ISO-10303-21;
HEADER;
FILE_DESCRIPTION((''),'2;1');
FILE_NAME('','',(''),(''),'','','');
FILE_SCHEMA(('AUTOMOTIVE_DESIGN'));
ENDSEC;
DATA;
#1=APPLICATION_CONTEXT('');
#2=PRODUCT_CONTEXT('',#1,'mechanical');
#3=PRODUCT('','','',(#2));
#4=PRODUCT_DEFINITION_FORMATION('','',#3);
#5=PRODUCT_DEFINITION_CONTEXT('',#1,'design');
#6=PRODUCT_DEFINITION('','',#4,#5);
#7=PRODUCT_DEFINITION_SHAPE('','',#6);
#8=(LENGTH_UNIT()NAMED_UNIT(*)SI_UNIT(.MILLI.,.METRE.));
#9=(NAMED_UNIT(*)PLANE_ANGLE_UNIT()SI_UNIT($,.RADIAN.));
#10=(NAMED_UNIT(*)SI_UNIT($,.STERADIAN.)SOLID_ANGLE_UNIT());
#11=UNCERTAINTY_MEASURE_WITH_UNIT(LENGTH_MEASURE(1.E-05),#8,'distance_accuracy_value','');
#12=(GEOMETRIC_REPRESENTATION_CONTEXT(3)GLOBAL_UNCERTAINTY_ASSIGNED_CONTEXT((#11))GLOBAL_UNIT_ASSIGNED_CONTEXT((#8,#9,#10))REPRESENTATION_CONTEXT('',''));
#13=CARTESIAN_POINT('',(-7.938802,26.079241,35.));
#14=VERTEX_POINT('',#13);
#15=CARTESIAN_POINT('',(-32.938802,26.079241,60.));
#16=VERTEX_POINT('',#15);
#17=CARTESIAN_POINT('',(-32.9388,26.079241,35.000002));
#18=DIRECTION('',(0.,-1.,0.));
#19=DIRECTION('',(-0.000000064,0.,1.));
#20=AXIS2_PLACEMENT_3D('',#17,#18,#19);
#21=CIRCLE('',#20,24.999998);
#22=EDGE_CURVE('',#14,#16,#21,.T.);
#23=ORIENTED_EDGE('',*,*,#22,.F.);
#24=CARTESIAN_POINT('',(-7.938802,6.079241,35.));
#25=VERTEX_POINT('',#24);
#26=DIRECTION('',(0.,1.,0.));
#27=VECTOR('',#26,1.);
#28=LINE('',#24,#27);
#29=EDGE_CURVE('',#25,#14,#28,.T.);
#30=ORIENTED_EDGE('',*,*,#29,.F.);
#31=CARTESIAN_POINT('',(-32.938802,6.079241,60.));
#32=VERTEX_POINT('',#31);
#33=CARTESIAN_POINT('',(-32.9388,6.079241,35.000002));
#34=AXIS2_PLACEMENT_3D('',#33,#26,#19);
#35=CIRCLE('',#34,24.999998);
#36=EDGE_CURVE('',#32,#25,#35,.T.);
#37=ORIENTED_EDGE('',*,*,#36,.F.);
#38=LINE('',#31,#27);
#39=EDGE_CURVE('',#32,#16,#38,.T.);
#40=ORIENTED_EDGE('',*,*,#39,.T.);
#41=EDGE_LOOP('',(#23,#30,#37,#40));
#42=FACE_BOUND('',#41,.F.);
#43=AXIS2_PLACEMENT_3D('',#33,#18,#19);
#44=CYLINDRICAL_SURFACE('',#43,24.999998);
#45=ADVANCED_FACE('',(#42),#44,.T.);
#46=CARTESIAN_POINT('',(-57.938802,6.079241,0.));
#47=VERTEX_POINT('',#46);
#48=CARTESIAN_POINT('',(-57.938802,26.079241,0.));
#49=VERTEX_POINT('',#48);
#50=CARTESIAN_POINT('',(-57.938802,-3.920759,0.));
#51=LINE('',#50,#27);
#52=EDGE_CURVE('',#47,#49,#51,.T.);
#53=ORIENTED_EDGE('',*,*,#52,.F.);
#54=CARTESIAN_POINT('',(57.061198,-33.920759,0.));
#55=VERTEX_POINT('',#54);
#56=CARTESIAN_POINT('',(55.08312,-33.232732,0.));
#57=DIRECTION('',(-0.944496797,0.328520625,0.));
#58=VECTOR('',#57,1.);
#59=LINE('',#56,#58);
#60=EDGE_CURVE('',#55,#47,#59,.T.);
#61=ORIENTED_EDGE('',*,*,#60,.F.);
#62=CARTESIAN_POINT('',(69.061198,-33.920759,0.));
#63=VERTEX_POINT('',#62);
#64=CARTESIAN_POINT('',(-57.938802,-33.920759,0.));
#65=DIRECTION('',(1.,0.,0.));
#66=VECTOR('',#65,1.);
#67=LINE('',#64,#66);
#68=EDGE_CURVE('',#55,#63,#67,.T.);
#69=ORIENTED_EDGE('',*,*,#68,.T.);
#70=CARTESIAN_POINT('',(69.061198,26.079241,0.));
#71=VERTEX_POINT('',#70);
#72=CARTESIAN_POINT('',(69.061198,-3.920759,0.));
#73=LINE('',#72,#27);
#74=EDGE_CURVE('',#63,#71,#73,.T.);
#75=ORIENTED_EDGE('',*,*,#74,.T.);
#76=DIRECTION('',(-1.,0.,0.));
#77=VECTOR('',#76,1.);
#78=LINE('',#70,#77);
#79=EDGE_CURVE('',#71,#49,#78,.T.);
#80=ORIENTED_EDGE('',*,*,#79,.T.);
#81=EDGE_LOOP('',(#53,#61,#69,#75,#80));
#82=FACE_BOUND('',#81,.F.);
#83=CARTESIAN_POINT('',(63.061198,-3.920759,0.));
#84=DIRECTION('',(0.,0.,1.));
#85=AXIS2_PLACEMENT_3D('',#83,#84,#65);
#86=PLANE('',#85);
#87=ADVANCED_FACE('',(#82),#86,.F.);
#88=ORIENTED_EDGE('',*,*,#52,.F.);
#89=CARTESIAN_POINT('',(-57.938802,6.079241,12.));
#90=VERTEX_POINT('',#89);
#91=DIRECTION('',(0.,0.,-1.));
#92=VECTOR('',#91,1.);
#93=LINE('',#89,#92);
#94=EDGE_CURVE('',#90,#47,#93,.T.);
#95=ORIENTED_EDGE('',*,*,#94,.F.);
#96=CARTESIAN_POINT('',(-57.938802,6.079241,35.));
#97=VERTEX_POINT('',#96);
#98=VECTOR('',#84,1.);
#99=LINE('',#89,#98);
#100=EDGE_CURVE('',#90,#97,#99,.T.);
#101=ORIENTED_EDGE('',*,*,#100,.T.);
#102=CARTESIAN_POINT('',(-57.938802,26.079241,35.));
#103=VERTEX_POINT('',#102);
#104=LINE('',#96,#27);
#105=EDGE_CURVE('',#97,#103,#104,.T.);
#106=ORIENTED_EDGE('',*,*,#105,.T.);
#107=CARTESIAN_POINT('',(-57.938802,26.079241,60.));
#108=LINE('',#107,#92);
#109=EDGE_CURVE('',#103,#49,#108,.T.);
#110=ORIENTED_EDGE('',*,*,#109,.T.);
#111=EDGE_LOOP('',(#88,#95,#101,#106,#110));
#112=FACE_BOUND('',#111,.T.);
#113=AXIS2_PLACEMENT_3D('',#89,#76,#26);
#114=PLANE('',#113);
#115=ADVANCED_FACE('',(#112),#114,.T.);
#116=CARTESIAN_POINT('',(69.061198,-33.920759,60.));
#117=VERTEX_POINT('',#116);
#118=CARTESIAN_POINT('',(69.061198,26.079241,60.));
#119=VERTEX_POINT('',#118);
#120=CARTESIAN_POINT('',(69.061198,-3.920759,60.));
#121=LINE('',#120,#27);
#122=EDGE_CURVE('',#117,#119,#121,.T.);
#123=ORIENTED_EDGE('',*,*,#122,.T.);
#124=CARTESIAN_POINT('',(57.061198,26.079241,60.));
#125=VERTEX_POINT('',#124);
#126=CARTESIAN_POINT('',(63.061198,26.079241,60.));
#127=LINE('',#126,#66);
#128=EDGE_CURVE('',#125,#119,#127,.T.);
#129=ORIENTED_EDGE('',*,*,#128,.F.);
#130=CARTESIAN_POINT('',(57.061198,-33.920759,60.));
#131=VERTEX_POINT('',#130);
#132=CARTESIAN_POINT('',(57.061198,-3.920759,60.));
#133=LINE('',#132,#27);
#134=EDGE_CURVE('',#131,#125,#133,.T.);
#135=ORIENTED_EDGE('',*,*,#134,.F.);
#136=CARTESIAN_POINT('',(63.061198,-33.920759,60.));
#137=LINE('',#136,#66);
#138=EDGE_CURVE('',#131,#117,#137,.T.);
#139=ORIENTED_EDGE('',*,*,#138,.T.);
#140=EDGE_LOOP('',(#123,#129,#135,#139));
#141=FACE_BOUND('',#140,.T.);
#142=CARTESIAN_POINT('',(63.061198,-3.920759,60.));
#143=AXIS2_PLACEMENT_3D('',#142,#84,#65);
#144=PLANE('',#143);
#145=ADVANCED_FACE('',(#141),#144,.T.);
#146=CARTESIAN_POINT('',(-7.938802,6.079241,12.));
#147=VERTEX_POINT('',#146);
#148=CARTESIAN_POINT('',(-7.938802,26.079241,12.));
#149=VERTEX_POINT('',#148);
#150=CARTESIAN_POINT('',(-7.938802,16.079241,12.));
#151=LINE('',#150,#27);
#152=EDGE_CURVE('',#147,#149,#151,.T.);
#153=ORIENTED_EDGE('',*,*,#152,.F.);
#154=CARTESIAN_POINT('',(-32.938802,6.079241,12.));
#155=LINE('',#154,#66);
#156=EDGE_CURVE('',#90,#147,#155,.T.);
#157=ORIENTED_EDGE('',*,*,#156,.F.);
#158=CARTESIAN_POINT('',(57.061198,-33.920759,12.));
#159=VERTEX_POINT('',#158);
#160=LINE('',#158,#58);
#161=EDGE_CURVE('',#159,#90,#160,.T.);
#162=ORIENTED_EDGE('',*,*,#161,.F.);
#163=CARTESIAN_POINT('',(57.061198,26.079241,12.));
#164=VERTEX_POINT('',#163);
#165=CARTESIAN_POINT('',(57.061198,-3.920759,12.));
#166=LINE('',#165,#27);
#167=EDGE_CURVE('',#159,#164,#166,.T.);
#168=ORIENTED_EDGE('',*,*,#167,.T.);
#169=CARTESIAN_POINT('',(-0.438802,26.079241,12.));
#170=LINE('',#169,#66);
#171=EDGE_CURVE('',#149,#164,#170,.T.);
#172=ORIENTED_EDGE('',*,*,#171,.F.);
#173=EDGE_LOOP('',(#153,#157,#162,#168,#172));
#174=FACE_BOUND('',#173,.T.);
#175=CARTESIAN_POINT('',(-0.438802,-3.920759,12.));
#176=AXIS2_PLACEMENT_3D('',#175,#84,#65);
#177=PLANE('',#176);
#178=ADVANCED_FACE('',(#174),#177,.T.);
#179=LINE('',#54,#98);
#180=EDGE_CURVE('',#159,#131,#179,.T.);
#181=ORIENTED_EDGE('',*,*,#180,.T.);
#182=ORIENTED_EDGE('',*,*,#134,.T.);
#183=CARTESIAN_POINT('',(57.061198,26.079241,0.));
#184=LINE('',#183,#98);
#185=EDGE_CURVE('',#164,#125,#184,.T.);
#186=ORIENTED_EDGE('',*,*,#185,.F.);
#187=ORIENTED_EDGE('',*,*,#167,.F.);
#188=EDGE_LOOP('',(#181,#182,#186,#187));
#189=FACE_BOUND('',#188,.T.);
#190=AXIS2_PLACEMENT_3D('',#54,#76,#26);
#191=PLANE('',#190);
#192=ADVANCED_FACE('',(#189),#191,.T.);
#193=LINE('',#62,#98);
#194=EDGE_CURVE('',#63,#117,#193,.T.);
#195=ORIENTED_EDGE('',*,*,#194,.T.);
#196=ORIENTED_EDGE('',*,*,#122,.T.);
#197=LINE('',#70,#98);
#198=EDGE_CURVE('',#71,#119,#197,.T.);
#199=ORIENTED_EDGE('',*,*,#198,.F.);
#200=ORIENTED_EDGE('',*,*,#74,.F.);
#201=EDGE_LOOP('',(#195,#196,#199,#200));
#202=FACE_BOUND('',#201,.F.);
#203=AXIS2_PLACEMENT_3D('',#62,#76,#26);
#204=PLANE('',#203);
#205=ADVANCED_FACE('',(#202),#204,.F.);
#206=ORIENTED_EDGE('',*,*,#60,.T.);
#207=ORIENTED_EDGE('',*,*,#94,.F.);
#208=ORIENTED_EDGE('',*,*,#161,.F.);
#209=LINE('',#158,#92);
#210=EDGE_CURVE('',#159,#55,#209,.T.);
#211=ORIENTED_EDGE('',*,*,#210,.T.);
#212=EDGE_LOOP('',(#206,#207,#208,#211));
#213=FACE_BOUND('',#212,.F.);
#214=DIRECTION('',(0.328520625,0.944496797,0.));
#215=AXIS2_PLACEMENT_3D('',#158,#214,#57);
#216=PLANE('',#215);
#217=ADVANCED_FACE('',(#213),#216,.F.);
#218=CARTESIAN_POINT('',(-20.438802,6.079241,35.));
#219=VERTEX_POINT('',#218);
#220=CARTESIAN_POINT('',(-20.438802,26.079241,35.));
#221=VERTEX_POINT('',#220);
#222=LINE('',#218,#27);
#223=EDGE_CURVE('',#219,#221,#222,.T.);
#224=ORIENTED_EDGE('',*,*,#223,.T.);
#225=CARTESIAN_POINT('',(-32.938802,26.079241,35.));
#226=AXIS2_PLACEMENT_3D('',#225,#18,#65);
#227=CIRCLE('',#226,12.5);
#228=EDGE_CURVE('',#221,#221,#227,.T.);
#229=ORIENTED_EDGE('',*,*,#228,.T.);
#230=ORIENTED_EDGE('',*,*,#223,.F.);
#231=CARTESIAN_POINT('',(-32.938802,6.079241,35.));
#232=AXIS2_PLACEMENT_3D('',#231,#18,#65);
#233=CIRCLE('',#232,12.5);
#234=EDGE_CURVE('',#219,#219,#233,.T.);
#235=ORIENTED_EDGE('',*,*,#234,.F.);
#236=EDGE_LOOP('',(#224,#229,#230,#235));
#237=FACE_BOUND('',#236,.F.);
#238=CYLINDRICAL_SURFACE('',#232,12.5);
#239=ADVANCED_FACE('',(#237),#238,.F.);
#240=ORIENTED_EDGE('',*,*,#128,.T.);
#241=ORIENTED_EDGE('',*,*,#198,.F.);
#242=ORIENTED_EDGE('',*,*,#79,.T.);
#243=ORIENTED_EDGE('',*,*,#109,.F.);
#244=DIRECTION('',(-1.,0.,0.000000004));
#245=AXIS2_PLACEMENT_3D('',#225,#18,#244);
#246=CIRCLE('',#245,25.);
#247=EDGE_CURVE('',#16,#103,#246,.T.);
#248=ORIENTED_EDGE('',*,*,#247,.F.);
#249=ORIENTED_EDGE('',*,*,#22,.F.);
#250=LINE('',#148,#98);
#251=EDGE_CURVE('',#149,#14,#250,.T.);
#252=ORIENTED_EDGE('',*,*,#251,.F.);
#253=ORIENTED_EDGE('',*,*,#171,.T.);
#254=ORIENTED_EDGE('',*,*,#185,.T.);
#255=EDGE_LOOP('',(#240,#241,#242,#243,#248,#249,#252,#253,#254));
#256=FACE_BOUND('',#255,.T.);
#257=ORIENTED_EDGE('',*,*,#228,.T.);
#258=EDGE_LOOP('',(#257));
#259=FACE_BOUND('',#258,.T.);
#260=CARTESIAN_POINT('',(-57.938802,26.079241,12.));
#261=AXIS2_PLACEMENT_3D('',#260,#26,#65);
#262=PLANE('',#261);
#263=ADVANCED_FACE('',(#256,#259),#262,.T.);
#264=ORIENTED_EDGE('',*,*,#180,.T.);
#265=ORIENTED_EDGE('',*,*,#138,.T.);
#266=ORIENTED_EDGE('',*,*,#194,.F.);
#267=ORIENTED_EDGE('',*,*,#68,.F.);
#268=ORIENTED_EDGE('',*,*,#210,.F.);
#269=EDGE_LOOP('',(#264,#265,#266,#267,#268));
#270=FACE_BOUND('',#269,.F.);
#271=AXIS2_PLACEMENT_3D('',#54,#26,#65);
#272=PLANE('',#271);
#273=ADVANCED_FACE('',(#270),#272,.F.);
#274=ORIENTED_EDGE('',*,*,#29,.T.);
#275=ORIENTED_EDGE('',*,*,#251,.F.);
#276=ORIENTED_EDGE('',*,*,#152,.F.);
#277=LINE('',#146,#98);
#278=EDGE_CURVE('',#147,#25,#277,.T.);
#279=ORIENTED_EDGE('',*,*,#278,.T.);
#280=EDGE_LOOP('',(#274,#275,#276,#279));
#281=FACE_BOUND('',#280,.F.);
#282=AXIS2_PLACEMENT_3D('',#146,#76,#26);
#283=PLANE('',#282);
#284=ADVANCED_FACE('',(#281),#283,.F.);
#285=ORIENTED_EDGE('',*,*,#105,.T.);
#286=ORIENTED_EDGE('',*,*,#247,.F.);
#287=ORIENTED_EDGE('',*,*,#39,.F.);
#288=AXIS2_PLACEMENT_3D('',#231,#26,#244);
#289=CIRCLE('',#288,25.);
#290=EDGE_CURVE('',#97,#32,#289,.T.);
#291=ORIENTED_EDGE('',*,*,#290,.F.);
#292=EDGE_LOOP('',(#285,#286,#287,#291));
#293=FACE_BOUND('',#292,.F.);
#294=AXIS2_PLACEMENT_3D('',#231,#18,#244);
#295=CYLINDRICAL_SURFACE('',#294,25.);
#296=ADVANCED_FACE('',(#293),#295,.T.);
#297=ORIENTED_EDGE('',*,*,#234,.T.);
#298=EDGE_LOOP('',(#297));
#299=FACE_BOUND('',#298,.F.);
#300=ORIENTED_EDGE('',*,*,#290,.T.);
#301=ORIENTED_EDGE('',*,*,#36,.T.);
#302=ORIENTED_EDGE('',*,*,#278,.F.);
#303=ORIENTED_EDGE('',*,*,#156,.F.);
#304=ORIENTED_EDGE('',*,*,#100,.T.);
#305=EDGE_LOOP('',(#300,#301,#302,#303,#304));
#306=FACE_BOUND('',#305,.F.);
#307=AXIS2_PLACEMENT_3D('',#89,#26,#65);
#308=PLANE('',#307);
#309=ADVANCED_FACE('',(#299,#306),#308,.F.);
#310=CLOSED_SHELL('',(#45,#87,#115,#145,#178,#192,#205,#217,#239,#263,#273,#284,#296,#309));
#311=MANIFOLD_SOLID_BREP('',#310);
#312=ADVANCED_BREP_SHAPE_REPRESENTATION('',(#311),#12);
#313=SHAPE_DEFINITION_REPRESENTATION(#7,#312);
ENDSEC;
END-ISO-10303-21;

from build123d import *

# Parameters (mm, degrees)
F0_W      = 115
F0_H      = 60
F1_DEPTH  = 12
F0_W_2    = 12
F2_DEPTH  = 60
F4_DEPTH  = 25
F5_W      = 50
F5_H      = 20
F6_DEPTH  = 48
F8_DEPTH  = 25
F9_R      = 12.5
F10_DEPTH = 25


with BuildPart() as f1:
    # F0 (on Top) → F1 (new body)
    with BuildSketch(Plane.XY):
        with Locations((-0.438802, -3.920759)):
            Rectangle(F0_W, F0_H)
    extrude(amount=F1_DEPTH)

    # F0 (on Top) → F2 (join)
    with BuildSketch(Plane.XY):
        with Locations((63.061198, -3.920759)):
            Rectangle(F0_W_2, F0_H)
    extrude(amount=F2_DEPTH)

    # F3 (on face) → F4 (cut)
    with BuildSketch(Plane.XY.offset(12)):
        Polygon((57.061198, -33.920759), (-57.938802, 6.079241), (-57.938802, -33.920759), align=None)
    extrude(amount=-F4_DEPTH, mode=Mode.SUBTRACT)

    # F5 (on face) → F6 (join)
    with BuildSketch(Plane.XY.offset(12)):
        with Locations((-32.938802, 16.079241)):
            Rectangle(F5_W, F5_H)
    extrude(amount=F6_DEPTH)

    # F7 (on face) → F8 (cut)
    with BuildSketch(Plane.XZ.offset(-6.079241)):
        with BuildLine():
            Line((-57.938802, 60), (-57.938802, 35))
            ThreePointArc((-57.938802, 35), (-50.616471, 52.67767), (-32.938802, 60))
            Line((-32.938802, 60), (-57.938802, 60))
        make_face()
        with BuildLine():
            Line((-7.938802, 60), (-32.938802, 60))
            ThreePointArc((-32.938802, 60), (-15.261132, 52.67767), (-7.938802, 35))
            Line((-7.938802, 35), (-7.938802, 60))
        make_face()
    extrude(amount=-F8_DEPTH, mode=Mode.SUBTRACT)

    # F9 (on face) → F10 (cut)
    with BuildSketch(Plane.XZ.offset(-6.079241)):
        with Locations((-32.938802, 35)):
            Circle(F9_R)
    extrude(amount=-F10_DEPTH, mode=Mode.SUBTRACT)


solid = f1.part
